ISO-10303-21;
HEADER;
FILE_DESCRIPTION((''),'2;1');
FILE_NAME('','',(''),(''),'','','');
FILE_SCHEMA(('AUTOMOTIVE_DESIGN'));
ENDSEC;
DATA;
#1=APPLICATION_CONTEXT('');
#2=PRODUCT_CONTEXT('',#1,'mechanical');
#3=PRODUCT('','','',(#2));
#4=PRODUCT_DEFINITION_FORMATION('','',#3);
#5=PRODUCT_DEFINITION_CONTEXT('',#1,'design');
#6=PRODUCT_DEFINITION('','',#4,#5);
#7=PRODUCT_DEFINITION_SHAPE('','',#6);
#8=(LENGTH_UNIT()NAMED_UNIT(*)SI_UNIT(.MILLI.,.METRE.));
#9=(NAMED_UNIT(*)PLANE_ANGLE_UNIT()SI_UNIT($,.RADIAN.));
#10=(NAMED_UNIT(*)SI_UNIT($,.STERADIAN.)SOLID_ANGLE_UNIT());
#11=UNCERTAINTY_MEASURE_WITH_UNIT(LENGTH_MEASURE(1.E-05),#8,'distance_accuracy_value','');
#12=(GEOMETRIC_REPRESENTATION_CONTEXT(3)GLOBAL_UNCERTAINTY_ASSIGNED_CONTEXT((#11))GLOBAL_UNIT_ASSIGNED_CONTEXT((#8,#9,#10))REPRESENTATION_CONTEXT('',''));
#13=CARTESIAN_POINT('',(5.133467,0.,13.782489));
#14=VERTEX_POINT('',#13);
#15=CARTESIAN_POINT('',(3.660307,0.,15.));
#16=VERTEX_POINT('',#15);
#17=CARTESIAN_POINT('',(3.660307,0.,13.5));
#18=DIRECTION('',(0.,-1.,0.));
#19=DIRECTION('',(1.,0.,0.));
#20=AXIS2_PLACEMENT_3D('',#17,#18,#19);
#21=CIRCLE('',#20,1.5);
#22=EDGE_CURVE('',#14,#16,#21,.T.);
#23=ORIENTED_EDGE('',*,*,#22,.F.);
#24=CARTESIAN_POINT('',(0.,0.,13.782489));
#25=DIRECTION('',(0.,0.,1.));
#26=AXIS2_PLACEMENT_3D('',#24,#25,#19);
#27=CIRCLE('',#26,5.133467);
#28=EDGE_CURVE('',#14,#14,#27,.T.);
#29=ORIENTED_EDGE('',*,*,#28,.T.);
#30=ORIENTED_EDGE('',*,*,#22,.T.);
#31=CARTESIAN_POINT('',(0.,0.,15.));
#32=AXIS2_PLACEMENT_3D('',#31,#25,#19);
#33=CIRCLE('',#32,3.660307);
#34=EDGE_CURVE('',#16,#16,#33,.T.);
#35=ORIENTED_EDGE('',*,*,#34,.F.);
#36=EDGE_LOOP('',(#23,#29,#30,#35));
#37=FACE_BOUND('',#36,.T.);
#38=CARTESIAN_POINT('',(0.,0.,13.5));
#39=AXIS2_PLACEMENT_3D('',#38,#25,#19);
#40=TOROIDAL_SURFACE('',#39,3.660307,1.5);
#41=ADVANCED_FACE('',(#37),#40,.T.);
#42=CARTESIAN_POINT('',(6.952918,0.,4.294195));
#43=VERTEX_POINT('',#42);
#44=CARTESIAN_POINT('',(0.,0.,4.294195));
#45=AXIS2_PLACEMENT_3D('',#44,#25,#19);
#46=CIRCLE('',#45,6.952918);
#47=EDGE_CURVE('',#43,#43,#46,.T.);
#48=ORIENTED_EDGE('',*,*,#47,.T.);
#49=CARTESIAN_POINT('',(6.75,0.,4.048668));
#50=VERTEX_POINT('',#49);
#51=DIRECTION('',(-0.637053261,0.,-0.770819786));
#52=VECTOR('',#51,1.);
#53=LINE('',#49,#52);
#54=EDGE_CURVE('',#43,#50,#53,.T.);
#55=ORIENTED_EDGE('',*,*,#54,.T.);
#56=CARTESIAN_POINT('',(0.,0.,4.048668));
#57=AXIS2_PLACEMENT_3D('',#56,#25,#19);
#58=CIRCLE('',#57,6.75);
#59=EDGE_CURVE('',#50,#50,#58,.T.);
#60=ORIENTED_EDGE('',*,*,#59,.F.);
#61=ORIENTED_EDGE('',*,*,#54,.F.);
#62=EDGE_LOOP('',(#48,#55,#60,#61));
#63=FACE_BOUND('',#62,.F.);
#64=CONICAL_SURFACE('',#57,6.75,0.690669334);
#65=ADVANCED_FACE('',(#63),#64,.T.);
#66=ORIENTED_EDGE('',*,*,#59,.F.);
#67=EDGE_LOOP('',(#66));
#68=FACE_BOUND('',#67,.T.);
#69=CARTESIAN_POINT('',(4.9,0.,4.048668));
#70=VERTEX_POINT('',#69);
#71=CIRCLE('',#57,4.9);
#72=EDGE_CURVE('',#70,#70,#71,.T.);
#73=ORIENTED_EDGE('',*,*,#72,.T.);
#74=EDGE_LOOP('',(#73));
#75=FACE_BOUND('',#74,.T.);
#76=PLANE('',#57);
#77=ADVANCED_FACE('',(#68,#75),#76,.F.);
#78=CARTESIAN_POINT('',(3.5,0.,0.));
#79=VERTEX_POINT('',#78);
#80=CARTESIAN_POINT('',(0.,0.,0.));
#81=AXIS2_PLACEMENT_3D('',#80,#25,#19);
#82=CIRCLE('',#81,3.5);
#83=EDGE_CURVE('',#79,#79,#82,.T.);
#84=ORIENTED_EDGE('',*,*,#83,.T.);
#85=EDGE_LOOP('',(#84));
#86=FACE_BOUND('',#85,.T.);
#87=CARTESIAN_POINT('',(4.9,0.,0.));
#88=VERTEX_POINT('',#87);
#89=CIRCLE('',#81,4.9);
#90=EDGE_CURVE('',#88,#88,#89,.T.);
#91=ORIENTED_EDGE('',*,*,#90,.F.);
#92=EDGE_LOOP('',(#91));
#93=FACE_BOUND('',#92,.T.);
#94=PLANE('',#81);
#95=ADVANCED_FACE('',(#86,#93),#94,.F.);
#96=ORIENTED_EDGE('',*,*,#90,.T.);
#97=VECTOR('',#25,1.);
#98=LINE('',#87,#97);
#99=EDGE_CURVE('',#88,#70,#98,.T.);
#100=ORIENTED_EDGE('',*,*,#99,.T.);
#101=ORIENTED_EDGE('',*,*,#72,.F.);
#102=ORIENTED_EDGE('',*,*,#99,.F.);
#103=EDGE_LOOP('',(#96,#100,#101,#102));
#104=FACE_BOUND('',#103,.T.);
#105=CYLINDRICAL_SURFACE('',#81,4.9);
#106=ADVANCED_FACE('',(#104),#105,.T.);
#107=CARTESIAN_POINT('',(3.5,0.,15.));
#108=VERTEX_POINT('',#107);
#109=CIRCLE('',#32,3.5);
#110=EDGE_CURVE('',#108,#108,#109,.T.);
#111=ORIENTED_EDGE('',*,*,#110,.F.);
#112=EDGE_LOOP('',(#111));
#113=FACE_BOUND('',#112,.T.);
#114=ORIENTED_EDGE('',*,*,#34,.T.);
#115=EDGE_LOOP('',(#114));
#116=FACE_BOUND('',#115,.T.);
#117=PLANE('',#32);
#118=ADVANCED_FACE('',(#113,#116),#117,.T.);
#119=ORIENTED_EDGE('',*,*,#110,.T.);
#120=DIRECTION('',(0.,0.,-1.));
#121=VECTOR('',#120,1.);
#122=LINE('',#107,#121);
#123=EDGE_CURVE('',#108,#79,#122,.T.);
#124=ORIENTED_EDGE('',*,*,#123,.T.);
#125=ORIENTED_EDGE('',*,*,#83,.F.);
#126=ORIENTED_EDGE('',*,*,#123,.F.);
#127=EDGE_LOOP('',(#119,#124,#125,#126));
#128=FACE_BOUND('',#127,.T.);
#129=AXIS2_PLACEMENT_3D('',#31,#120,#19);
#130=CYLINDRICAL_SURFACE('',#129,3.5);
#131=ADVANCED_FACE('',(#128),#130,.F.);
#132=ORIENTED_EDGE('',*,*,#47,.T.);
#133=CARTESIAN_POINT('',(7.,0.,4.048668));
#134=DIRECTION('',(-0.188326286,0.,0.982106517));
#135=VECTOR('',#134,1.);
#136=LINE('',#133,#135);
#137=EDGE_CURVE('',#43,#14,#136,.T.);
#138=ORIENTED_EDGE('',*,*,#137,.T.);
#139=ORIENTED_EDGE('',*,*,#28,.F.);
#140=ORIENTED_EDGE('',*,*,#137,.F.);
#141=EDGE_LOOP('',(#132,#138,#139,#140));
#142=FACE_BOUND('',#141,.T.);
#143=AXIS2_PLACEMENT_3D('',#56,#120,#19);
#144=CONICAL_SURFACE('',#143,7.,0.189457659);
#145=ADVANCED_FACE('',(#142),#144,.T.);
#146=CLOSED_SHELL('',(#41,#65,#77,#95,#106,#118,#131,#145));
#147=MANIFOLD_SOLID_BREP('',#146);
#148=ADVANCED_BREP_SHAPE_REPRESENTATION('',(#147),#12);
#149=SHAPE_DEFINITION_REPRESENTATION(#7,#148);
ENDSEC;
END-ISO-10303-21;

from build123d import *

# Parameters (mm, degrees)
F2_R    = 1.5
F3_SIZE = 0.25


with BuildPart() as f1:
    # F0 (on Front) → F1 (revolve)
    with BuildSketch(Plane.XZ):
        Polygon((3.5, 15), (3.5, 0), (4.9, 0), (4.9, 4.048668), (7, 4.048668), (4.9, 15), align=None)
    revolve(axis=Axis((0, 0, 7.5), (0, 0, 1)))

    # F2
    f2_edges = [f1.edges().sort_by_distance(p)[0] for p in [
        (-4.9, 0, 15),
    ]]
    fillet(f2_edges, radius=F2_R)

    # F3
    f3_edges = [f1.edges().sort_by_distance(p)[0] for p in [
        (-7, 0, 4.048668),
    ]]
    chamfer(f3_edges, length=F3_SIZE)


solid = f1.part
